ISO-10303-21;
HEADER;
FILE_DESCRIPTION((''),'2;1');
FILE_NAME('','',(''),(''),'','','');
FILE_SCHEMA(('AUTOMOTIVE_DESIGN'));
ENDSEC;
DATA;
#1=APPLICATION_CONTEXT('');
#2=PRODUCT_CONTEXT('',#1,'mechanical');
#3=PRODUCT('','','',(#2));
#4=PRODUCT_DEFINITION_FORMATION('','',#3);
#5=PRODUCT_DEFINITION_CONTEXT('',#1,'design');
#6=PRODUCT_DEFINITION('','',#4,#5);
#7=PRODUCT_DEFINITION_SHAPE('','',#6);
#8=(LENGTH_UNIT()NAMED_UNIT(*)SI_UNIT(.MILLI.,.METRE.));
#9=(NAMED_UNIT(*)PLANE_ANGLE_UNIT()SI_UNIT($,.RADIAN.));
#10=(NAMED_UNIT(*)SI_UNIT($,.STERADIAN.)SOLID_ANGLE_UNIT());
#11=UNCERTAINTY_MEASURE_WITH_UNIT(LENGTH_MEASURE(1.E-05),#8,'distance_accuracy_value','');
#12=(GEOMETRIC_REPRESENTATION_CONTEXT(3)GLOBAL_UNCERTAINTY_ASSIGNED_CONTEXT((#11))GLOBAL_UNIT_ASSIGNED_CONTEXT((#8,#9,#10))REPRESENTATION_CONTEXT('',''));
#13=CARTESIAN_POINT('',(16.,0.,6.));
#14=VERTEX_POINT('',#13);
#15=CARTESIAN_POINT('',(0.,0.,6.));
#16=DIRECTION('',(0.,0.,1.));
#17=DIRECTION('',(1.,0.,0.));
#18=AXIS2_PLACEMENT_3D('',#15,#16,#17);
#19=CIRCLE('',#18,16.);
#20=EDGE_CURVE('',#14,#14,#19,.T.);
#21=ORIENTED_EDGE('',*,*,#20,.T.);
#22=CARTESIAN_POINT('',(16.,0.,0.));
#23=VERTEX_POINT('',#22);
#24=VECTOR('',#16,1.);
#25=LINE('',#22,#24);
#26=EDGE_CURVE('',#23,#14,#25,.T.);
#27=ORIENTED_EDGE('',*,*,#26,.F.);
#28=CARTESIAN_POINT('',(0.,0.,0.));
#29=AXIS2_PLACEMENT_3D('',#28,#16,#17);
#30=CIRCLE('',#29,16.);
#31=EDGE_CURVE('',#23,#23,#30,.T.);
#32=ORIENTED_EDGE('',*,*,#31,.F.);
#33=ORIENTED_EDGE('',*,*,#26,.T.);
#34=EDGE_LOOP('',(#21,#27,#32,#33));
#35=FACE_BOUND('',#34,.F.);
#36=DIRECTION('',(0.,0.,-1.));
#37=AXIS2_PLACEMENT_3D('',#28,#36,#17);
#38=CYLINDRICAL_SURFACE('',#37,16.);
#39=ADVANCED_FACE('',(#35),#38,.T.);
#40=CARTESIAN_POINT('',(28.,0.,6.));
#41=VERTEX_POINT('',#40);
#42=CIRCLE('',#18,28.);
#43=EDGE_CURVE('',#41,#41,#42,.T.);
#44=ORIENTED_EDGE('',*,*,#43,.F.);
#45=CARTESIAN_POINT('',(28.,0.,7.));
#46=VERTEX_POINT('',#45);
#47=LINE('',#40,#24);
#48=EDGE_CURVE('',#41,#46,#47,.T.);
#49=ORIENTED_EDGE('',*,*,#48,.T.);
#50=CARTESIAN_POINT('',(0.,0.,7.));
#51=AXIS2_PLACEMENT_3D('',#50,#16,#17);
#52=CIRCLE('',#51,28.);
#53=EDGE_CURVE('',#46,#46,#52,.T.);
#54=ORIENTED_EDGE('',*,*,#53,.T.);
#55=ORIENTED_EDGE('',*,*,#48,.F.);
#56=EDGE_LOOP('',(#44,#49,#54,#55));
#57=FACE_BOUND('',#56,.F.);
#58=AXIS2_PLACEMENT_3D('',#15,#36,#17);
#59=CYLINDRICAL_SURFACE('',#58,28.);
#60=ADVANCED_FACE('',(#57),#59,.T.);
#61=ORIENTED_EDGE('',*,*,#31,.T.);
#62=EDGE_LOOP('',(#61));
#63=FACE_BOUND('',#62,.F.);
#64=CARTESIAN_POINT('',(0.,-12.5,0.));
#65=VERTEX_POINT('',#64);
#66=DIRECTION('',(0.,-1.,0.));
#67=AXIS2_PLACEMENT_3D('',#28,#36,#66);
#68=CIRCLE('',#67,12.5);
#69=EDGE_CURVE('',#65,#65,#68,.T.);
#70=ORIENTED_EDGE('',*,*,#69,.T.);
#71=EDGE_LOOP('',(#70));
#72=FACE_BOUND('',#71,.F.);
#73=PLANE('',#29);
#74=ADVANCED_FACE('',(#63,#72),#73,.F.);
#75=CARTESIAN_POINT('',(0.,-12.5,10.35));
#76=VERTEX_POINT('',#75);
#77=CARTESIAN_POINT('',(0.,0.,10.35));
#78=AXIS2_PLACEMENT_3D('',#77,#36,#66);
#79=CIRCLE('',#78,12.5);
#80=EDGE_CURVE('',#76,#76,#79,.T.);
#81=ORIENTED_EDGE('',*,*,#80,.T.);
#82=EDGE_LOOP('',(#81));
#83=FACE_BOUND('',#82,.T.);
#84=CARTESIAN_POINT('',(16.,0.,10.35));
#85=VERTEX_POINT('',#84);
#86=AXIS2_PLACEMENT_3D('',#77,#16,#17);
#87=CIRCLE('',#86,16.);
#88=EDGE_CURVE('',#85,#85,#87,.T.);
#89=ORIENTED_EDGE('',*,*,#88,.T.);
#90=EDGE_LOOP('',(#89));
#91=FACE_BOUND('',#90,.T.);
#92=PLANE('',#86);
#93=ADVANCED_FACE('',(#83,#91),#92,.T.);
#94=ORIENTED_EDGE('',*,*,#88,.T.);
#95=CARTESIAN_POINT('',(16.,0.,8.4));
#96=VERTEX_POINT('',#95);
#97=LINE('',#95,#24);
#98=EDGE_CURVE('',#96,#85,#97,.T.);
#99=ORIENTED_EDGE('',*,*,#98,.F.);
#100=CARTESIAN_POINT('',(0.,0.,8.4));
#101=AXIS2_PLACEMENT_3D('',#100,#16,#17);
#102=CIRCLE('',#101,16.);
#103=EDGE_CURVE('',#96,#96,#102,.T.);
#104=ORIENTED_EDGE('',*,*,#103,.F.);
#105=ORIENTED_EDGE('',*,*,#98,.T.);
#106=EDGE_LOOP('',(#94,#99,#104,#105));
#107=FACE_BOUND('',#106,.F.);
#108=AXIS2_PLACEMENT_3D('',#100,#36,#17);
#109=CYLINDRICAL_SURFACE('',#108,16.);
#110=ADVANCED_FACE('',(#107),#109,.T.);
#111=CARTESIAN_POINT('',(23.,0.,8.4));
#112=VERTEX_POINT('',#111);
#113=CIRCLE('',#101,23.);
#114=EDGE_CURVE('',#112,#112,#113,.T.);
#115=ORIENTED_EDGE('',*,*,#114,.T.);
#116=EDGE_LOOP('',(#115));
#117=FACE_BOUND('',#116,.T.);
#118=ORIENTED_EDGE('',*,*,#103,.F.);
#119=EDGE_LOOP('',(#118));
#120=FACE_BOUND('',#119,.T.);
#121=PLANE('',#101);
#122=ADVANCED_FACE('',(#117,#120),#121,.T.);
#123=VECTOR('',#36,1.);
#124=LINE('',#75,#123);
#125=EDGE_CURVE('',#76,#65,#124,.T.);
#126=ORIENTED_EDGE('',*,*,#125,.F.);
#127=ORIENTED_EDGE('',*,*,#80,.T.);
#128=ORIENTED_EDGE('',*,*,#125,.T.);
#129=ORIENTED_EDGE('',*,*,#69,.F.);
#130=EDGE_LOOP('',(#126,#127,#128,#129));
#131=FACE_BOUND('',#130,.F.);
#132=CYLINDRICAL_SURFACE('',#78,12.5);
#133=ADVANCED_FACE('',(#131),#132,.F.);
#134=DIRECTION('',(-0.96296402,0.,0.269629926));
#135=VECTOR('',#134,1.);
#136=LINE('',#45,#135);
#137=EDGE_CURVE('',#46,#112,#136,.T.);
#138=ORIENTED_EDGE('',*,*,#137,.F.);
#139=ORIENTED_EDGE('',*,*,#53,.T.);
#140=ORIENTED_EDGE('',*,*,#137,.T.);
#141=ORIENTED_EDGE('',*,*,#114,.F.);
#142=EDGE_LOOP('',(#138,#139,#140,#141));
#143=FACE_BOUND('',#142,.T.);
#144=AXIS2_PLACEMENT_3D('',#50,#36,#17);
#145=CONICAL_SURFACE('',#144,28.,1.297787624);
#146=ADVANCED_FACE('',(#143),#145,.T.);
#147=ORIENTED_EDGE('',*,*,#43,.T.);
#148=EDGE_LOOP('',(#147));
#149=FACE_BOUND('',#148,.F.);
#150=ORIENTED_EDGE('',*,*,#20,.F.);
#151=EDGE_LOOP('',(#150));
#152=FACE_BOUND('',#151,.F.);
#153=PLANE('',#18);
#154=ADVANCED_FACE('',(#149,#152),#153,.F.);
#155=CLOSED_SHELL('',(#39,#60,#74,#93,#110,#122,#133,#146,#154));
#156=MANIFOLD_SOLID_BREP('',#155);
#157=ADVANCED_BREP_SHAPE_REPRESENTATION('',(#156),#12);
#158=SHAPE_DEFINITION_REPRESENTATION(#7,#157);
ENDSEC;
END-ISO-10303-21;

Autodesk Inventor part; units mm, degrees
ref_plane "YZ Plane" through (0, 0, 0) normal (1, 0, 0) x (0, 1, 0)
ref_plane "XZ Plane" through (0, 0, 0) normal (0, 1, 0) x (-1, 0, 0)
ref_plane "XY Plane" through (0, 0, 0) normal (0, 0, 1) x (1, 0, 0)
sketch "草圖1" plane through (0, 0, 0) normal (0, 0, 1) x (1, 0, 0)
  circle A0 centre (0, 0) radius 16
extrude "擠出1" add sketch "草圖1" along normal blind 6
sketch "草圖2" plane through (0, 0, 6) normal (0, 0, 1) x (1, 0, 0)
  circle A0 centre (0, 0) radius 28
extrude "擠出2" add sketch "草圖2" along normal blind 2.4
sketch "草圖3" plane through (0, 0, 8.4) normal (0, 0, 1) x (1, 0, 0)
  circle A0 centre (0, 0) radius 16
extrude "擠出3" add sketch "草圖3" along normal blind 1.95
hole "孔1" at (0, 0, 10.35) direction (0, 0, -1) diameter 25 end through all
chamfer "倒角1" distance 1.4 distance2 5 1 edges at (-28, 0, 8.4) measured on face at (27.9092, -2.2531, 7.6)
properties part number "KL-SL-023-KMB-601-PT"
